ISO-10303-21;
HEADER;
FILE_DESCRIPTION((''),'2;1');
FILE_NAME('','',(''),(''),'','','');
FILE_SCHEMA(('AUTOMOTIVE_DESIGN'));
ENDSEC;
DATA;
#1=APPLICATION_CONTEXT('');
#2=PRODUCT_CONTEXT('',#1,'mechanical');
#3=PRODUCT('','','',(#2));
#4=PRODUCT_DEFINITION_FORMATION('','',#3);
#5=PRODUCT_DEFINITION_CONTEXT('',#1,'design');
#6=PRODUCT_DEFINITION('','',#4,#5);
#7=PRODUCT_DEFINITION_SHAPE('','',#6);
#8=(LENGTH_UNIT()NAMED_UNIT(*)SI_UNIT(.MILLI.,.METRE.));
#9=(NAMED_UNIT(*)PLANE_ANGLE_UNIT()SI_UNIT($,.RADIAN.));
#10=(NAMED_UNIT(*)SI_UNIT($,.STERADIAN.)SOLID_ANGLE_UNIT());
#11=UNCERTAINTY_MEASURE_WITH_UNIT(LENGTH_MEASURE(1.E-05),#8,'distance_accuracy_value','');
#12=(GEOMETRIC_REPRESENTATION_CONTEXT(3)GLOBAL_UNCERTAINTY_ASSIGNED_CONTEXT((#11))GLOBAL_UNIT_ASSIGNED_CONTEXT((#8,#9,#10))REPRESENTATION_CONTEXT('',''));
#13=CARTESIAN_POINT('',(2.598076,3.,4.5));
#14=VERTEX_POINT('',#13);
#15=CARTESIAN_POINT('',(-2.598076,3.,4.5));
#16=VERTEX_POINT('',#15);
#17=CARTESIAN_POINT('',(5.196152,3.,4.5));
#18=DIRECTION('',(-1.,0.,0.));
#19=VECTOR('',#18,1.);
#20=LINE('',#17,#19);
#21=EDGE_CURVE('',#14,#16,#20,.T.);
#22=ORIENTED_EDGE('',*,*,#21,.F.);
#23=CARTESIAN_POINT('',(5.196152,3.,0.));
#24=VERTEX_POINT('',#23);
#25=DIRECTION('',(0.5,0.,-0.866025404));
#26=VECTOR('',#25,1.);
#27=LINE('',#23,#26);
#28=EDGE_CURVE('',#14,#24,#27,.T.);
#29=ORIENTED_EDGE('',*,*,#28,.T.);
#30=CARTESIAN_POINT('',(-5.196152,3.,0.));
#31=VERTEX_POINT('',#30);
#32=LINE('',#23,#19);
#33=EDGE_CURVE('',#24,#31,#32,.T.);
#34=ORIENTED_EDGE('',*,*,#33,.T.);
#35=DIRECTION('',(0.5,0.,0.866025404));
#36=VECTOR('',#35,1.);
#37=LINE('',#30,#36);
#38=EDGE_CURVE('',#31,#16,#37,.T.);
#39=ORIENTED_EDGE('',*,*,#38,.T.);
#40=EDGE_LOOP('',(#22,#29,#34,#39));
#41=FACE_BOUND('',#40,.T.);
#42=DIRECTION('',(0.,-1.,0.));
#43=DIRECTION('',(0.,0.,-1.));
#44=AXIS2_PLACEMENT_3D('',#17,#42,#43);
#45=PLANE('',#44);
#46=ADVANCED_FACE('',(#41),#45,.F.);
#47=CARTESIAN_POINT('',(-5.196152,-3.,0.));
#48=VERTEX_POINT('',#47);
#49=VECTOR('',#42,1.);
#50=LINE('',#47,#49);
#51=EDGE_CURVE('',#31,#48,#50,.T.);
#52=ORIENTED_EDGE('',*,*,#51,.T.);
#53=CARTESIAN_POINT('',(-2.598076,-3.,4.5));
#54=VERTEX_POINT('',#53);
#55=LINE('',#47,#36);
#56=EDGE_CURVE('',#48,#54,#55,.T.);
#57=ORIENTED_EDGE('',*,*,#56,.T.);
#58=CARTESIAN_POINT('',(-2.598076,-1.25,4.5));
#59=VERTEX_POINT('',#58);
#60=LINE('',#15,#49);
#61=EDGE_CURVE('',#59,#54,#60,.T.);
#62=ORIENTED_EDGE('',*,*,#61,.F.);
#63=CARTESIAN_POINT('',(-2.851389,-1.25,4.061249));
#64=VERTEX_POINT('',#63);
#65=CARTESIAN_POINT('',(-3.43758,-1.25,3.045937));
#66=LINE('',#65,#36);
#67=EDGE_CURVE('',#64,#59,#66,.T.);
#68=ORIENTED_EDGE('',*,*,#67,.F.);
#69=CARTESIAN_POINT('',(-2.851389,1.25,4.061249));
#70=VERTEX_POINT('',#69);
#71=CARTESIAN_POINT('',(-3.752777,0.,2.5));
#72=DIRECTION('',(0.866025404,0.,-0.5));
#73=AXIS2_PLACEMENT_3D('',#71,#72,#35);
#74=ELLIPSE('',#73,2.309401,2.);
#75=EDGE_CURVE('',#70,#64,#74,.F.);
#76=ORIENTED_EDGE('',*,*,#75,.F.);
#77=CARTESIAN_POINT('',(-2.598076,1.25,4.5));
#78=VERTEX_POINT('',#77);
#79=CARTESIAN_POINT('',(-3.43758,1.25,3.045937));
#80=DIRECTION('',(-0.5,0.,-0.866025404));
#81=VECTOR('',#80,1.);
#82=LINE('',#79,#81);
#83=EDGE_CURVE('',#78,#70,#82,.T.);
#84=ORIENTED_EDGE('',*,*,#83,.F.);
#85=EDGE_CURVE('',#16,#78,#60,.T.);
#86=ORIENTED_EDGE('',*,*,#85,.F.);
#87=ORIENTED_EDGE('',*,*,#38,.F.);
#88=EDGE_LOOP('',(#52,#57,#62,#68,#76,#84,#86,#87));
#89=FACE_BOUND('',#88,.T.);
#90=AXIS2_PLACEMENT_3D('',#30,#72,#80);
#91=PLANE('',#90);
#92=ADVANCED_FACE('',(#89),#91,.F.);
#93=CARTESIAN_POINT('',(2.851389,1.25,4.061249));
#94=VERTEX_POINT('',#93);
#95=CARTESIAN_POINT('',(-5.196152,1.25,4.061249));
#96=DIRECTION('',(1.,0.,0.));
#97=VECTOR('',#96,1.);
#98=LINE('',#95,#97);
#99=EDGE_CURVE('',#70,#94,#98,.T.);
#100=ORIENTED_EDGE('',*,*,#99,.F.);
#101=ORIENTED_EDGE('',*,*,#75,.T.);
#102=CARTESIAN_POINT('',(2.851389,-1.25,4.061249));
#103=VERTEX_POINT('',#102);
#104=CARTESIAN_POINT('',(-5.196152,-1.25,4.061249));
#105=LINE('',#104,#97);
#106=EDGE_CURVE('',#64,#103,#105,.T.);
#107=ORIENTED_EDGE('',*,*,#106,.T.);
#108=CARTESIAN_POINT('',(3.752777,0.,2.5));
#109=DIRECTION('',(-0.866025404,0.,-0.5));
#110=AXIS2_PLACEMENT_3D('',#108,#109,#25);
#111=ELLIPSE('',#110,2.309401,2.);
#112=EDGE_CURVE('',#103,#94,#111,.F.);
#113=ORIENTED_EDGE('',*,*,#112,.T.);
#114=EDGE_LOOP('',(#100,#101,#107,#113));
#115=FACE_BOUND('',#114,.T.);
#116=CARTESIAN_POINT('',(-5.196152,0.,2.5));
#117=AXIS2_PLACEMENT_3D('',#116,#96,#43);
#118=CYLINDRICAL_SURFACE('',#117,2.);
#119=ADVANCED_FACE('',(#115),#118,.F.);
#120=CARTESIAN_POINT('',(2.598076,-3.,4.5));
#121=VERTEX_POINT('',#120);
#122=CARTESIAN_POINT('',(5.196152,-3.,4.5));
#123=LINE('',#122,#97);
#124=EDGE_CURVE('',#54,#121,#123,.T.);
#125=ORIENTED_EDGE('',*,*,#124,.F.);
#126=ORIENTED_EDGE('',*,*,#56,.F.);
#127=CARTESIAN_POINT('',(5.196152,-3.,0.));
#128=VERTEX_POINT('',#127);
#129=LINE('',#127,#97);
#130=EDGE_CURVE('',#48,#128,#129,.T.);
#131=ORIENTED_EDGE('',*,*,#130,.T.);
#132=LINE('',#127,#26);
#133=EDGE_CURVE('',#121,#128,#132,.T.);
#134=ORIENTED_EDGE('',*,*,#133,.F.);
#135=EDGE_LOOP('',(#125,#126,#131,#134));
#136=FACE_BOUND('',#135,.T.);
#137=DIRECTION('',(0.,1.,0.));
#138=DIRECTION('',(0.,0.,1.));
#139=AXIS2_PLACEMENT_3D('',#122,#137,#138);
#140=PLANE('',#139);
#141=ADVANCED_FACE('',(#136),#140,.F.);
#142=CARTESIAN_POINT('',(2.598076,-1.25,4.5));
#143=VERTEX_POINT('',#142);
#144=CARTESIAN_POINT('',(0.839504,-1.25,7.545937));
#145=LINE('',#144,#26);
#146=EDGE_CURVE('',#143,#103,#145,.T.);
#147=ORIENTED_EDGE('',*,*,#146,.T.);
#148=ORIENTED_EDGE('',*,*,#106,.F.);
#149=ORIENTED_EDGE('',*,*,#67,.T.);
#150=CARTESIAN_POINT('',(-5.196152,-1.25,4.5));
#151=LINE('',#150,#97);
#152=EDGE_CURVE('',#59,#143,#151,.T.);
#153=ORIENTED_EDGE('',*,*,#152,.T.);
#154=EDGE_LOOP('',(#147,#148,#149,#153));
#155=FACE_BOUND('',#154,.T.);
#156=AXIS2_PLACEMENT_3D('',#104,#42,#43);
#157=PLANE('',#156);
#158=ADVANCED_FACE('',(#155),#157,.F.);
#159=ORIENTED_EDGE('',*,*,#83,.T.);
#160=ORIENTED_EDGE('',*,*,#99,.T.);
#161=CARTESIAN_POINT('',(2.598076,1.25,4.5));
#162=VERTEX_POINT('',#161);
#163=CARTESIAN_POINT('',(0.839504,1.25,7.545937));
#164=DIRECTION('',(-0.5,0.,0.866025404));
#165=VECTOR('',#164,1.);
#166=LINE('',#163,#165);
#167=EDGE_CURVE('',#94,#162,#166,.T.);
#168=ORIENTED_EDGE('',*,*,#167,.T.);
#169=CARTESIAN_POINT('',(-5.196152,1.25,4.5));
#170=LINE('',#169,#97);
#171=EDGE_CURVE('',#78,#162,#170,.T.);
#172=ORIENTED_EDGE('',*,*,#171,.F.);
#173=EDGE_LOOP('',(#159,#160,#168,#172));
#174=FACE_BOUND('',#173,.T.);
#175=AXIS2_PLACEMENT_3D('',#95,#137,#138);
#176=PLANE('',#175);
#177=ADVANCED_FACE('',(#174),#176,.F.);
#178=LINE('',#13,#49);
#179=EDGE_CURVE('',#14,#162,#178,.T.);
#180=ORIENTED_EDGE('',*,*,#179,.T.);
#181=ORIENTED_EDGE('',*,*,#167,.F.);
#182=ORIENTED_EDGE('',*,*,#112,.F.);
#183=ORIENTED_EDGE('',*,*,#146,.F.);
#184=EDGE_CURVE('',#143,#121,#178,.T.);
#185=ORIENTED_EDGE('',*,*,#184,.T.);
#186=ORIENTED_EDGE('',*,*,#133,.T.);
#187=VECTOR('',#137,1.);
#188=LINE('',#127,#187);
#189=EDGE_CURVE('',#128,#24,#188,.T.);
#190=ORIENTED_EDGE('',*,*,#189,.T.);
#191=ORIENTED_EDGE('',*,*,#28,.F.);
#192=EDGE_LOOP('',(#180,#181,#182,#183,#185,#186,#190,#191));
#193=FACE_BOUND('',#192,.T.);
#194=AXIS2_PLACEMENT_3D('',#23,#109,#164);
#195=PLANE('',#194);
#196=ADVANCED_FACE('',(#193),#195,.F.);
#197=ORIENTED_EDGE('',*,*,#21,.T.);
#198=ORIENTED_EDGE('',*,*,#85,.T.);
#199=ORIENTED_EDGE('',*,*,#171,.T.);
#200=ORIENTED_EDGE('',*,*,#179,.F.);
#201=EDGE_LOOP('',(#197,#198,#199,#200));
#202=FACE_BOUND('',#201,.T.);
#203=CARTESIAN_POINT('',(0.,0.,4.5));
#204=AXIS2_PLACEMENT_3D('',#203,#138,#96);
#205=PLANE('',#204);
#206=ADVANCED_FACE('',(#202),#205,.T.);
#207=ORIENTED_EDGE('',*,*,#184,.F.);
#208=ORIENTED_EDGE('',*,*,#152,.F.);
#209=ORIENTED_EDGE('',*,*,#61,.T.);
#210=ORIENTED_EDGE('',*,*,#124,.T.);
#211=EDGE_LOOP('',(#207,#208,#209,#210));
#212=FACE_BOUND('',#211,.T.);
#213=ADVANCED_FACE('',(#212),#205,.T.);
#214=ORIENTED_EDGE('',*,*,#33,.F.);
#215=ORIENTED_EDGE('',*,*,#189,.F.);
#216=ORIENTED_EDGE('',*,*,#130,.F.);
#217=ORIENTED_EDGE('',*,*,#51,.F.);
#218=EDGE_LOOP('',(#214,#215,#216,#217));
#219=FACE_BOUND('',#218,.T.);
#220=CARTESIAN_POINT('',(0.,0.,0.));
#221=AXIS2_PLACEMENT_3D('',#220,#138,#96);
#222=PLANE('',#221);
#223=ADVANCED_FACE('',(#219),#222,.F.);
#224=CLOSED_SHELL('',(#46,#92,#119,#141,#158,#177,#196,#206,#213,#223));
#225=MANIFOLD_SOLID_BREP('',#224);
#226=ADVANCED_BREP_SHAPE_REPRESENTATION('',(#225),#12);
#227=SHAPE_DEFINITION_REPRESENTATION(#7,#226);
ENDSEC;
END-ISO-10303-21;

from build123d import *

# Parameters (mm, degrees)
SKETCH8_W           = 10.392304846
SKETCH8_H           = 6
BOSS_EXTRUDE3_DEPTH = 4.5
CUT_EXTRUDE5_DEPTH  = 11.392304845
CUT_EXTRUDE6_DEPTH  = 7


with BuildPart() as part:
    # Sketch8 → Boss-Extrude3 (new body)
    with BuildSketch(Plane.XY):
        Rectangle(SKETCH8_W, SKETCH8_H)
    extrude(amount=BOSS_EXTRUDE3_DEPTH)

    # Sketch9 → Cut-Extrude5 (cut, through all)
    with BuildSketch(Plane(origin=(5.196152423, 0, 0), x_dir=(0, 0, -1), z_dir=(1, 0, 0))):
        with BuildLine():
            Line((-4.0612495, 1.25), (-4.5, 1.25))
            Line((-4.5, 1.25), (-4.5, -1.25))
            Line((-4.5, -1.25), (-4.0612495, -1.25))
            ThreePointArc((-4.0612495, -1.25), (-0.5, 0), (-4.0612495, 1.25))
        make_face()
    extrude(amount=-CUT_EXTRUDE5_DEPTH, mode=Mode.SUBTRACT)

    # Sketch10 → Cut-Extrude6 (cut, through all)
    with BuildSketch(Plane.XZ.offset(3)):
        Polygon((5.196152423, 0), (2.598076211, 4.5), (5.196152423, 4.5), align=None)
        Polygon((-5.196152423, 4.5), (-5.196152423, 0), (-2.598076211, 4.5), align=None)
    extrude(amount=-CUT_EXTRUDE6_DEPTH, mode=Mode.SUBTRACT)


solid = part.part
